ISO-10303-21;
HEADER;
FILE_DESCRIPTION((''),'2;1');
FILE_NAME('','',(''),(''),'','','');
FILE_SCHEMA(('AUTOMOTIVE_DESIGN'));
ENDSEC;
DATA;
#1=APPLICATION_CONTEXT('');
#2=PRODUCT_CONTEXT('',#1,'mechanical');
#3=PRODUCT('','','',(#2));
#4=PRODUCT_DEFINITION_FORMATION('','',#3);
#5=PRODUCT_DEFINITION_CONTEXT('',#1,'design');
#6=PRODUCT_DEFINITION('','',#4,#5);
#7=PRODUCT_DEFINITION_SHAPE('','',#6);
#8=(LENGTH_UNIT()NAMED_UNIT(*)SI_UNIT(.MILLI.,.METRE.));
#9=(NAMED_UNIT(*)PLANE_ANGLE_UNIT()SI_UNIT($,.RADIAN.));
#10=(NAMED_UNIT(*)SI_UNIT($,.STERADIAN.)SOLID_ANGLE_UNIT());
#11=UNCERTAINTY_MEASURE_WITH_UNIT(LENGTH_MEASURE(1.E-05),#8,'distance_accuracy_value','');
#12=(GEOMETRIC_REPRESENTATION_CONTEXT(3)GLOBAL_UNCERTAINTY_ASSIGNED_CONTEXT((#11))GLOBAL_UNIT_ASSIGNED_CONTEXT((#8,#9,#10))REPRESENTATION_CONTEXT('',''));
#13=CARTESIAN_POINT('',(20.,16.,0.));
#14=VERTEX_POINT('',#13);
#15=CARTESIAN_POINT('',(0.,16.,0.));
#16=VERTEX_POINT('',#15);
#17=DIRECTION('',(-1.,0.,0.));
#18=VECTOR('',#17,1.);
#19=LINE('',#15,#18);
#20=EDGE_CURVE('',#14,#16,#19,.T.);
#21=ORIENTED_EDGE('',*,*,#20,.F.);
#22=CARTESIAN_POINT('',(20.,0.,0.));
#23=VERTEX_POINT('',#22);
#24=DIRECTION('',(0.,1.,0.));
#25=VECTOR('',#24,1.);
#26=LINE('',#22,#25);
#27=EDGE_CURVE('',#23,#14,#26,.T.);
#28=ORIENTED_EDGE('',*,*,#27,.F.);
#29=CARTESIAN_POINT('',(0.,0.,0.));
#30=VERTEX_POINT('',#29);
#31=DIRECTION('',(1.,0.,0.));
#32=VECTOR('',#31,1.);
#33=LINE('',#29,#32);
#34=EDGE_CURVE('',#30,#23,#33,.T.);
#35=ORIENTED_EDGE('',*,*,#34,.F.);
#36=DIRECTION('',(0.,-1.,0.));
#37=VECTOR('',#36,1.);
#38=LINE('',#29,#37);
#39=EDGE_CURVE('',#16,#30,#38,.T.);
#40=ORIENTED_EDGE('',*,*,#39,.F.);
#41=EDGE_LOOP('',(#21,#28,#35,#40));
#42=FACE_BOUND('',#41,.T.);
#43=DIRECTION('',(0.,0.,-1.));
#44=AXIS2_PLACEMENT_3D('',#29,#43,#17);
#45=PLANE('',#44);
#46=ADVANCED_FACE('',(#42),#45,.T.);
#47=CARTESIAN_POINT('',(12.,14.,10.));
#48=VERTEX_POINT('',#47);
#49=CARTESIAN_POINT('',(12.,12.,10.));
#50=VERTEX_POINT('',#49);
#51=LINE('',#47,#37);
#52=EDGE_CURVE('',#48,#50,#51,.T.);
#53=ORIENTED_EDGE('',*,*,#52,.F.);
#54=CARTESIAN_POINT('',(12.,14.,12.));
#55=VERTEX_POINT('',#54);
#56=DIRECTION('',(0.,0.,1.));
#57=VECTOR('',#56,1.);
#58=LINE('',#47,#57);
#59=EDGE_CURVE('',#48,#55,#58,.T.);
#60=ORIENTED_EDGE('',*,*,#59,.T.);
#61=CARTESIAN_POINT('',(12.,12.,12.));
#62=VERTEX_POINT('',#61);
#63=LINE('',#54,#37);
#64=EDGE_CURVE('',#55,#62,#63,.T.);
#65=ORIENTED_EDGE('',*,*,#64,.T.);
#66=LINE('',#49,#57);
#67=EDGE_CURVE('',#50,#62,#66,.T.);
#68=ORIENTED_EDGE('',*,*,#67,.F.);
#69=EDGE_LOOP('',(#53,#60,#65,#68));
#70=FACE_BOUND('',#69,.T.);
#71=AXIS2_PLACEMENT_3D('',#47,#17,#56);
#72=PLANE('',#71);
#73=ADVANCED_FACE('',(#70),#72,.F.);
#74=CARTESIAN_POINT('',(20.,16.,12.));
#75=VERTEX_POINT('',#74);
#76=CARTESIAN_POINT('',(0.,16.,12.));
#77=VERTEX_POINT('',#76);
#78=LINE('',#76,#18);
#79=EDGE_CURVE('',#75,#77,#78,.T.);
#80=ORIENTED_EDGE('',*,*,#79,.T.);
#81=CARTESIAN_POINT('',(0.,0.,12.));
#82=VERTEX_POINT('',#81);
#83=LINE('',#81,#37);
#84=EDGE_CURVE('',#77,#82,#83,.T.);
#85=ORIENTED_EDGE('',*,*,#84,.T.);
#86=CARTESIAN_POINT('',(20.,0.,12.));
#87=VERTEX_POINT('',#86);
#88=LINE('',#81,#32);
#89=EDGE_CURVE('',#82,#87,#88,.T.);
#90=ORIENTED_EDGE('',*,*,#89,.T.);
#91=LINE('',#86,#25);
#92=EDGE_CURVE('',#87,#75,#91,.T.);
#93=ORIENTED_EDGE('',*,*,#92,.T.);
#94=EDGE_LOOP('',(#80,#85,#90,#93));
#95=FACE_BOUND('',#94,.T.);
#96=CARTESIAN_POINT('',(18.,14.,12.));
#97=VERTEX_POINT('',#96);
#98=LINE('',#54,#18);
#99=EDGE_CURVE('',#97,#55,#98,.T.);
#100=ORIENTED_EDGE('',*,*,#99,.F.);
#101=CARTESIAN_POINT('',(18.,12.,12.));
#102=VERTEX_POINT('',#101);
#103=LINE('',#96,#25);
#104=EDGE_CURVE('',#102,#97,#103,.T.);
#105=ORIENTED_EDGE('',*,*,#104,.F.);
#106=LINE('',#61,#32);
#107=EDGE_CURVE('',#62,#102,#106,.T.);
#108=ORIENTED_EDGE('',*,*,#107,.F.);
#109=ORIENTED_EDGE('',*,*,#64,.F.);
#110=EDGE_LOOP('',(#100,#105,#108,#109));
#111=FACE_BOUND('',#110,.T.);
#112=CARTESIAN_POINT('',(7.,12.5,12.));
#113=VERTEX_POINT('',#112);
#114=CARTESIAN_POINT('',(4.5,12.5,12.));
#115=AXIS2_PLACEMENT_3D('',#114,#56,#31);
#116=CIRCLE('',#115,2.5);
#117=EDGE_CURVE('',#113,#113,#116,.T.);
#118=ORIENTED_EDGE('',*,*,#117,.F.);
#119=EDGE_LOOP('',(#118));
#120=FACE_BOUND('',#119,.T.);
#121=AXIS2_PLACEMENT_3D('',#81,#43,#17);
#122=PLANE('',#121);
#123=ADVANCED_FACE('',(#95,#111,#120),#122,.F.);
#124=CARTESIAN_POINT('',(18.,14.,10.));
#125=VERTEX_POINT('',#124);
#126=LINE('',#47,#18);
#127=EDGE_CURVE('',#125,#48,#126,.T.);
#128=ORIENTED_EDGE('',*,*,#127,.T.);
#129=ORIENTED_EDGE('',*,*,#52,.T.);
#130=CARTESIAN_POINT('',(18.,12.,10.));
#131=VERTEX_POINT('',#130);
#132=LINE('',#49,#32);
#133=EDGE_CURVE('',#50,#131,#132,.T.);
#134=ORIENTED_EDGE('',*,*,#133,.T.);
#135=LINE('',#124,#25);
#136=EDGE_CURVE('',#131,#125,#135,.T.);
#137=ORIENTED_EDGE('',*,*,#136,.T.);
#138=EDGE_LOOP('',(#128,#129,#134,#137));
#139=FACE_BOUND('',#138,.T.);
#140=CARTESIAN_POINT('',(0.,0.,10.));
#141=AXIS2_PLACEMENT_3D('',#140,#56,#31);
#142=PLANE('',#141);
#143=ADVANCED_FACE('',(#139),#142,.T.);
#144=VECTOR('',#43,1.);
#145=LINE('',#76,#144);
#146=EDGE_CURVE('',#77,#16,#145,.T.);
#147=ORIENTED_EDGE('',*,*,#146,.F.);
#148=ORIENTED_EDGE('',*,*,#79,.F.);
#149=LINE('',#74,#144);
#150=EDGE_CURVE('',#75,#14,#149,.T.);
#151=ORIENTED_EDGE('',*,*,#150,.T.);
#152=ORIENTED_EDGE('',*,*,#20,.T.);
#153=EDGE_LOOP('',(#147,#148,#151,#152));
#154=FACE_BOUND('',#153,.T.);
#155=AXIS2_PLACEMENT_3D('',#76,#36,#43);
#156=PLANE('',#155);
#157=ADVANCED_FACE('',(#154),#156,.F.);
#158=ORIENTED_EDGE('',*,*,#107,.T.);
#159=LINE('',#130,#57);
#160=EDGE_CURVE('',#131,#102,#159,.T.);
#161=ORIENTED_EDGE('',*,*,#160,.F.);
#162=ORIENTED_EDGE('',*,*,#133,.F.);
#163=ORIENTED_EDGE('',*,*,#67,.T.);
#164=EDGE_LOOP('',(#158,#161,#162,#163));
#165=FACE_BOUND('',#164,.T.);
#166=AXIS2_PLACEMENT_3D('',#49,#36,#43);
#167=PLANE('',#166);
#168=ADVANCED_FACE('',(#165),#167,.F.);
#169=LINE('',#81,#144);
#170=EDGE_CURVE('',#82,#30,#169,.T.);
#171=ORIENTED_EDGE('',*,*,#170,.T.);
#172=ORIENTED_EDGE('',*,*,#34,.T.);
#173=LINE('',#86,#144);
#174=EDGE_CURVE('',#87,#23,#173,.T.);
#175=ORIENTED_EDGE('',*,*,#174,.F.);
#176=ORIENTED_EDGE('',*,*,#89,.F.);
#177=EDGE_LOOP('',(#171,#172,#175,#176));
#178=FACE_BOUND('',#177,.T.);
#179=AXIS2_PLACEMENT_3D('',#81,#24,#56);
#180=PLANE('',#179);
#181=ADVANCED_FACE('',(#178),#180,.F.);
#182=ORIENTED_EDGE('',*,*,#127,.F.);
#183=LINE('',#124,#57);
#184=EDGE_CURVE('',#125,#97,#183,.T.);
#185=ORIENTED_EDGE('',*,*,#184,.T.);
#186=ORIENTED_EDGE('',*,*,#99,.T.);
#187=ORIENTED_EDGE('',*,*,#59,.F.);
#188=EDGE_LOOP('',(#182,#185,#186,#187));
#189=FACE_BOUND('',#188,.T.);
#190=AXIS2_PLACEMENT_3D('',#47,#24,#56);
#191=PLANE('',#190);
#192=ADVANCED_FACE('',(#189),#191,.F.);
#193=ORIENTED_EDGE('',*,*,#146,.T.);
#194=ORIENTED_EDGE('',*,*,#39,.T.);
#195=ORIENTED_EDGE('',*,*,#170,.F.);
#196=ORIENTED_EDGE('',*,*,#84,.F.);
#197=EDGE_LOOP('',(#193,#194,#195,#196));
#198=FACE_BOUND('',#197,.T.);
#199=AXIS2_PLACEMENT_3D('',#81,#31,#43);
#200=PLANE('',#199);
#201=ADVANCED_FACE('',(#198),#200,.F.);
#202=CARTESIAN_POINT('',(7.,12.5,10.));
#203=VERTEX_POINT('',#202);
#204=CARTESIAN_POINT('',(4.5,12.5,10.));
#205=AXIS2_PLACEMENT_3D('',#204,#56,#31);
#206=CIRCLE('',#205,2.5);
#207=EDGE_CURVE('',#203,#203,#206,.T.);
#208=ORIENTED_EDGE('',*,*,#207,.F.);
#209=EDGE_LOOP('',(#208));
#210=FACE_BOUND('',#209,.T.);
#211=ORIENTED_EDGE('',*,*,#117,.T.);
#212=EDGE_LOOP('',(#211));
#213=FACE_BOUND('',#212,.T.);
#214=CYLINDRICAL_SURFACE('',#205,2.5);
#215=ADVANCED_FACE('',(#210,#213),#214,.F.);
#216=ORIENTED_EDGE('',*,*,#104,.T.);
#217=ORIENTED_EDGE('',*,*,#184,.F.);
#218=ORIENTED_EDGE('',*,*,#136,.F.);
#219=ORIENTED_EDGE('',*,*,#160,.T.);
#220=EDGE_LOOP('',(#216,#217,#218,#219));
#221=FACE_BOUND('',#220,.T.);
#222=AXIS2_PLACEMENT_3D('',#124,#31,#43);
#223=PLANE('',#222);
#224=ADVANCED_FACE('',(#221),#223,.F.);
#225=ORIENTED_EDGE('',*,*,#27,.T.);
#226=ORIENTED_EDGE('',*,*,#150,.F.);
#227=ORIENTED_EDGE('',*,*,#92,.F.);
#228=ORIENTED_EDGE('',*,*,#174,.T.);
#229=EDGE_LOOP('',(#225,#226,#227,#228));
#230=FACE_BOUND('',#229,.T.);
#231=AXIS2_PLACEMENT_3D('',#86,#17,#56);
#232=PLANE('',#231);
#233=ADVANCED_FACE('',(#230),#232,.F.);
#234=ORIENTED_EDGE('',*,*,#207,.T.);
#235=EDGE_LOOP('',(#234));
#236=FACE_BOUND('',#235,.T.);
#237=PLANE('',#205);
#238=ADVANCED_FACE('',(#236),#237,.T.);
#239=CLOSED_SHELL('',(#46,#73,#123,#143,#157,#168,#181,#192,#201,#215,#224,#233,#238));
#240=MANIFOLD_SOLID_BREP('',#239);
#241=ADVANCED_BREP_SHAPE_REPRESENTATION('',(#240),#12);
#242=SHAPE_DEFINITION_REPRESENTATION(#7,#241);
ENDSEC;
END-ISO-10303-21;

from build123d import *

# Parameters (mm, degrees)
CROQUIS1_W              = 20
CROQUIS1_H              = 16
SALIENTE_EXTRUIR1_DEPTH = 12
CROQUIS2_R              = 2.5
CROQUIS2_W              = 6
CROQUIS2_H              = 2
CORTAR_EXTRUIR1_DEPTH   = 2


with BuildPart() as part:
    # Croquis1 → Saliente-Extruir1 (new body)
    with BuildSketch(Plane.XY):
        with Locations((10, 8)):
            Rectangle(CROQUIS1_W, CROQUIS1_H)
    extrude(amount=SALIENTE_EXTRUIR1_DEPTH)

    # Croquis2 → Cortar-Extruir1 (cut)
    with BuildSketch(Plane.XY.offset(12)):
        with Locations((4.5, 12.5)):
            Circle(CROQUIS2_R)
        with Locations((15, 13)):
            Rectangle(CROQUIS2_W, CROQUIS2_H)
    extrude(amount=-CORTAR_EXTRUIR1_DEPTH, mode=Mode.SUBTRACT)


solid = part.part
